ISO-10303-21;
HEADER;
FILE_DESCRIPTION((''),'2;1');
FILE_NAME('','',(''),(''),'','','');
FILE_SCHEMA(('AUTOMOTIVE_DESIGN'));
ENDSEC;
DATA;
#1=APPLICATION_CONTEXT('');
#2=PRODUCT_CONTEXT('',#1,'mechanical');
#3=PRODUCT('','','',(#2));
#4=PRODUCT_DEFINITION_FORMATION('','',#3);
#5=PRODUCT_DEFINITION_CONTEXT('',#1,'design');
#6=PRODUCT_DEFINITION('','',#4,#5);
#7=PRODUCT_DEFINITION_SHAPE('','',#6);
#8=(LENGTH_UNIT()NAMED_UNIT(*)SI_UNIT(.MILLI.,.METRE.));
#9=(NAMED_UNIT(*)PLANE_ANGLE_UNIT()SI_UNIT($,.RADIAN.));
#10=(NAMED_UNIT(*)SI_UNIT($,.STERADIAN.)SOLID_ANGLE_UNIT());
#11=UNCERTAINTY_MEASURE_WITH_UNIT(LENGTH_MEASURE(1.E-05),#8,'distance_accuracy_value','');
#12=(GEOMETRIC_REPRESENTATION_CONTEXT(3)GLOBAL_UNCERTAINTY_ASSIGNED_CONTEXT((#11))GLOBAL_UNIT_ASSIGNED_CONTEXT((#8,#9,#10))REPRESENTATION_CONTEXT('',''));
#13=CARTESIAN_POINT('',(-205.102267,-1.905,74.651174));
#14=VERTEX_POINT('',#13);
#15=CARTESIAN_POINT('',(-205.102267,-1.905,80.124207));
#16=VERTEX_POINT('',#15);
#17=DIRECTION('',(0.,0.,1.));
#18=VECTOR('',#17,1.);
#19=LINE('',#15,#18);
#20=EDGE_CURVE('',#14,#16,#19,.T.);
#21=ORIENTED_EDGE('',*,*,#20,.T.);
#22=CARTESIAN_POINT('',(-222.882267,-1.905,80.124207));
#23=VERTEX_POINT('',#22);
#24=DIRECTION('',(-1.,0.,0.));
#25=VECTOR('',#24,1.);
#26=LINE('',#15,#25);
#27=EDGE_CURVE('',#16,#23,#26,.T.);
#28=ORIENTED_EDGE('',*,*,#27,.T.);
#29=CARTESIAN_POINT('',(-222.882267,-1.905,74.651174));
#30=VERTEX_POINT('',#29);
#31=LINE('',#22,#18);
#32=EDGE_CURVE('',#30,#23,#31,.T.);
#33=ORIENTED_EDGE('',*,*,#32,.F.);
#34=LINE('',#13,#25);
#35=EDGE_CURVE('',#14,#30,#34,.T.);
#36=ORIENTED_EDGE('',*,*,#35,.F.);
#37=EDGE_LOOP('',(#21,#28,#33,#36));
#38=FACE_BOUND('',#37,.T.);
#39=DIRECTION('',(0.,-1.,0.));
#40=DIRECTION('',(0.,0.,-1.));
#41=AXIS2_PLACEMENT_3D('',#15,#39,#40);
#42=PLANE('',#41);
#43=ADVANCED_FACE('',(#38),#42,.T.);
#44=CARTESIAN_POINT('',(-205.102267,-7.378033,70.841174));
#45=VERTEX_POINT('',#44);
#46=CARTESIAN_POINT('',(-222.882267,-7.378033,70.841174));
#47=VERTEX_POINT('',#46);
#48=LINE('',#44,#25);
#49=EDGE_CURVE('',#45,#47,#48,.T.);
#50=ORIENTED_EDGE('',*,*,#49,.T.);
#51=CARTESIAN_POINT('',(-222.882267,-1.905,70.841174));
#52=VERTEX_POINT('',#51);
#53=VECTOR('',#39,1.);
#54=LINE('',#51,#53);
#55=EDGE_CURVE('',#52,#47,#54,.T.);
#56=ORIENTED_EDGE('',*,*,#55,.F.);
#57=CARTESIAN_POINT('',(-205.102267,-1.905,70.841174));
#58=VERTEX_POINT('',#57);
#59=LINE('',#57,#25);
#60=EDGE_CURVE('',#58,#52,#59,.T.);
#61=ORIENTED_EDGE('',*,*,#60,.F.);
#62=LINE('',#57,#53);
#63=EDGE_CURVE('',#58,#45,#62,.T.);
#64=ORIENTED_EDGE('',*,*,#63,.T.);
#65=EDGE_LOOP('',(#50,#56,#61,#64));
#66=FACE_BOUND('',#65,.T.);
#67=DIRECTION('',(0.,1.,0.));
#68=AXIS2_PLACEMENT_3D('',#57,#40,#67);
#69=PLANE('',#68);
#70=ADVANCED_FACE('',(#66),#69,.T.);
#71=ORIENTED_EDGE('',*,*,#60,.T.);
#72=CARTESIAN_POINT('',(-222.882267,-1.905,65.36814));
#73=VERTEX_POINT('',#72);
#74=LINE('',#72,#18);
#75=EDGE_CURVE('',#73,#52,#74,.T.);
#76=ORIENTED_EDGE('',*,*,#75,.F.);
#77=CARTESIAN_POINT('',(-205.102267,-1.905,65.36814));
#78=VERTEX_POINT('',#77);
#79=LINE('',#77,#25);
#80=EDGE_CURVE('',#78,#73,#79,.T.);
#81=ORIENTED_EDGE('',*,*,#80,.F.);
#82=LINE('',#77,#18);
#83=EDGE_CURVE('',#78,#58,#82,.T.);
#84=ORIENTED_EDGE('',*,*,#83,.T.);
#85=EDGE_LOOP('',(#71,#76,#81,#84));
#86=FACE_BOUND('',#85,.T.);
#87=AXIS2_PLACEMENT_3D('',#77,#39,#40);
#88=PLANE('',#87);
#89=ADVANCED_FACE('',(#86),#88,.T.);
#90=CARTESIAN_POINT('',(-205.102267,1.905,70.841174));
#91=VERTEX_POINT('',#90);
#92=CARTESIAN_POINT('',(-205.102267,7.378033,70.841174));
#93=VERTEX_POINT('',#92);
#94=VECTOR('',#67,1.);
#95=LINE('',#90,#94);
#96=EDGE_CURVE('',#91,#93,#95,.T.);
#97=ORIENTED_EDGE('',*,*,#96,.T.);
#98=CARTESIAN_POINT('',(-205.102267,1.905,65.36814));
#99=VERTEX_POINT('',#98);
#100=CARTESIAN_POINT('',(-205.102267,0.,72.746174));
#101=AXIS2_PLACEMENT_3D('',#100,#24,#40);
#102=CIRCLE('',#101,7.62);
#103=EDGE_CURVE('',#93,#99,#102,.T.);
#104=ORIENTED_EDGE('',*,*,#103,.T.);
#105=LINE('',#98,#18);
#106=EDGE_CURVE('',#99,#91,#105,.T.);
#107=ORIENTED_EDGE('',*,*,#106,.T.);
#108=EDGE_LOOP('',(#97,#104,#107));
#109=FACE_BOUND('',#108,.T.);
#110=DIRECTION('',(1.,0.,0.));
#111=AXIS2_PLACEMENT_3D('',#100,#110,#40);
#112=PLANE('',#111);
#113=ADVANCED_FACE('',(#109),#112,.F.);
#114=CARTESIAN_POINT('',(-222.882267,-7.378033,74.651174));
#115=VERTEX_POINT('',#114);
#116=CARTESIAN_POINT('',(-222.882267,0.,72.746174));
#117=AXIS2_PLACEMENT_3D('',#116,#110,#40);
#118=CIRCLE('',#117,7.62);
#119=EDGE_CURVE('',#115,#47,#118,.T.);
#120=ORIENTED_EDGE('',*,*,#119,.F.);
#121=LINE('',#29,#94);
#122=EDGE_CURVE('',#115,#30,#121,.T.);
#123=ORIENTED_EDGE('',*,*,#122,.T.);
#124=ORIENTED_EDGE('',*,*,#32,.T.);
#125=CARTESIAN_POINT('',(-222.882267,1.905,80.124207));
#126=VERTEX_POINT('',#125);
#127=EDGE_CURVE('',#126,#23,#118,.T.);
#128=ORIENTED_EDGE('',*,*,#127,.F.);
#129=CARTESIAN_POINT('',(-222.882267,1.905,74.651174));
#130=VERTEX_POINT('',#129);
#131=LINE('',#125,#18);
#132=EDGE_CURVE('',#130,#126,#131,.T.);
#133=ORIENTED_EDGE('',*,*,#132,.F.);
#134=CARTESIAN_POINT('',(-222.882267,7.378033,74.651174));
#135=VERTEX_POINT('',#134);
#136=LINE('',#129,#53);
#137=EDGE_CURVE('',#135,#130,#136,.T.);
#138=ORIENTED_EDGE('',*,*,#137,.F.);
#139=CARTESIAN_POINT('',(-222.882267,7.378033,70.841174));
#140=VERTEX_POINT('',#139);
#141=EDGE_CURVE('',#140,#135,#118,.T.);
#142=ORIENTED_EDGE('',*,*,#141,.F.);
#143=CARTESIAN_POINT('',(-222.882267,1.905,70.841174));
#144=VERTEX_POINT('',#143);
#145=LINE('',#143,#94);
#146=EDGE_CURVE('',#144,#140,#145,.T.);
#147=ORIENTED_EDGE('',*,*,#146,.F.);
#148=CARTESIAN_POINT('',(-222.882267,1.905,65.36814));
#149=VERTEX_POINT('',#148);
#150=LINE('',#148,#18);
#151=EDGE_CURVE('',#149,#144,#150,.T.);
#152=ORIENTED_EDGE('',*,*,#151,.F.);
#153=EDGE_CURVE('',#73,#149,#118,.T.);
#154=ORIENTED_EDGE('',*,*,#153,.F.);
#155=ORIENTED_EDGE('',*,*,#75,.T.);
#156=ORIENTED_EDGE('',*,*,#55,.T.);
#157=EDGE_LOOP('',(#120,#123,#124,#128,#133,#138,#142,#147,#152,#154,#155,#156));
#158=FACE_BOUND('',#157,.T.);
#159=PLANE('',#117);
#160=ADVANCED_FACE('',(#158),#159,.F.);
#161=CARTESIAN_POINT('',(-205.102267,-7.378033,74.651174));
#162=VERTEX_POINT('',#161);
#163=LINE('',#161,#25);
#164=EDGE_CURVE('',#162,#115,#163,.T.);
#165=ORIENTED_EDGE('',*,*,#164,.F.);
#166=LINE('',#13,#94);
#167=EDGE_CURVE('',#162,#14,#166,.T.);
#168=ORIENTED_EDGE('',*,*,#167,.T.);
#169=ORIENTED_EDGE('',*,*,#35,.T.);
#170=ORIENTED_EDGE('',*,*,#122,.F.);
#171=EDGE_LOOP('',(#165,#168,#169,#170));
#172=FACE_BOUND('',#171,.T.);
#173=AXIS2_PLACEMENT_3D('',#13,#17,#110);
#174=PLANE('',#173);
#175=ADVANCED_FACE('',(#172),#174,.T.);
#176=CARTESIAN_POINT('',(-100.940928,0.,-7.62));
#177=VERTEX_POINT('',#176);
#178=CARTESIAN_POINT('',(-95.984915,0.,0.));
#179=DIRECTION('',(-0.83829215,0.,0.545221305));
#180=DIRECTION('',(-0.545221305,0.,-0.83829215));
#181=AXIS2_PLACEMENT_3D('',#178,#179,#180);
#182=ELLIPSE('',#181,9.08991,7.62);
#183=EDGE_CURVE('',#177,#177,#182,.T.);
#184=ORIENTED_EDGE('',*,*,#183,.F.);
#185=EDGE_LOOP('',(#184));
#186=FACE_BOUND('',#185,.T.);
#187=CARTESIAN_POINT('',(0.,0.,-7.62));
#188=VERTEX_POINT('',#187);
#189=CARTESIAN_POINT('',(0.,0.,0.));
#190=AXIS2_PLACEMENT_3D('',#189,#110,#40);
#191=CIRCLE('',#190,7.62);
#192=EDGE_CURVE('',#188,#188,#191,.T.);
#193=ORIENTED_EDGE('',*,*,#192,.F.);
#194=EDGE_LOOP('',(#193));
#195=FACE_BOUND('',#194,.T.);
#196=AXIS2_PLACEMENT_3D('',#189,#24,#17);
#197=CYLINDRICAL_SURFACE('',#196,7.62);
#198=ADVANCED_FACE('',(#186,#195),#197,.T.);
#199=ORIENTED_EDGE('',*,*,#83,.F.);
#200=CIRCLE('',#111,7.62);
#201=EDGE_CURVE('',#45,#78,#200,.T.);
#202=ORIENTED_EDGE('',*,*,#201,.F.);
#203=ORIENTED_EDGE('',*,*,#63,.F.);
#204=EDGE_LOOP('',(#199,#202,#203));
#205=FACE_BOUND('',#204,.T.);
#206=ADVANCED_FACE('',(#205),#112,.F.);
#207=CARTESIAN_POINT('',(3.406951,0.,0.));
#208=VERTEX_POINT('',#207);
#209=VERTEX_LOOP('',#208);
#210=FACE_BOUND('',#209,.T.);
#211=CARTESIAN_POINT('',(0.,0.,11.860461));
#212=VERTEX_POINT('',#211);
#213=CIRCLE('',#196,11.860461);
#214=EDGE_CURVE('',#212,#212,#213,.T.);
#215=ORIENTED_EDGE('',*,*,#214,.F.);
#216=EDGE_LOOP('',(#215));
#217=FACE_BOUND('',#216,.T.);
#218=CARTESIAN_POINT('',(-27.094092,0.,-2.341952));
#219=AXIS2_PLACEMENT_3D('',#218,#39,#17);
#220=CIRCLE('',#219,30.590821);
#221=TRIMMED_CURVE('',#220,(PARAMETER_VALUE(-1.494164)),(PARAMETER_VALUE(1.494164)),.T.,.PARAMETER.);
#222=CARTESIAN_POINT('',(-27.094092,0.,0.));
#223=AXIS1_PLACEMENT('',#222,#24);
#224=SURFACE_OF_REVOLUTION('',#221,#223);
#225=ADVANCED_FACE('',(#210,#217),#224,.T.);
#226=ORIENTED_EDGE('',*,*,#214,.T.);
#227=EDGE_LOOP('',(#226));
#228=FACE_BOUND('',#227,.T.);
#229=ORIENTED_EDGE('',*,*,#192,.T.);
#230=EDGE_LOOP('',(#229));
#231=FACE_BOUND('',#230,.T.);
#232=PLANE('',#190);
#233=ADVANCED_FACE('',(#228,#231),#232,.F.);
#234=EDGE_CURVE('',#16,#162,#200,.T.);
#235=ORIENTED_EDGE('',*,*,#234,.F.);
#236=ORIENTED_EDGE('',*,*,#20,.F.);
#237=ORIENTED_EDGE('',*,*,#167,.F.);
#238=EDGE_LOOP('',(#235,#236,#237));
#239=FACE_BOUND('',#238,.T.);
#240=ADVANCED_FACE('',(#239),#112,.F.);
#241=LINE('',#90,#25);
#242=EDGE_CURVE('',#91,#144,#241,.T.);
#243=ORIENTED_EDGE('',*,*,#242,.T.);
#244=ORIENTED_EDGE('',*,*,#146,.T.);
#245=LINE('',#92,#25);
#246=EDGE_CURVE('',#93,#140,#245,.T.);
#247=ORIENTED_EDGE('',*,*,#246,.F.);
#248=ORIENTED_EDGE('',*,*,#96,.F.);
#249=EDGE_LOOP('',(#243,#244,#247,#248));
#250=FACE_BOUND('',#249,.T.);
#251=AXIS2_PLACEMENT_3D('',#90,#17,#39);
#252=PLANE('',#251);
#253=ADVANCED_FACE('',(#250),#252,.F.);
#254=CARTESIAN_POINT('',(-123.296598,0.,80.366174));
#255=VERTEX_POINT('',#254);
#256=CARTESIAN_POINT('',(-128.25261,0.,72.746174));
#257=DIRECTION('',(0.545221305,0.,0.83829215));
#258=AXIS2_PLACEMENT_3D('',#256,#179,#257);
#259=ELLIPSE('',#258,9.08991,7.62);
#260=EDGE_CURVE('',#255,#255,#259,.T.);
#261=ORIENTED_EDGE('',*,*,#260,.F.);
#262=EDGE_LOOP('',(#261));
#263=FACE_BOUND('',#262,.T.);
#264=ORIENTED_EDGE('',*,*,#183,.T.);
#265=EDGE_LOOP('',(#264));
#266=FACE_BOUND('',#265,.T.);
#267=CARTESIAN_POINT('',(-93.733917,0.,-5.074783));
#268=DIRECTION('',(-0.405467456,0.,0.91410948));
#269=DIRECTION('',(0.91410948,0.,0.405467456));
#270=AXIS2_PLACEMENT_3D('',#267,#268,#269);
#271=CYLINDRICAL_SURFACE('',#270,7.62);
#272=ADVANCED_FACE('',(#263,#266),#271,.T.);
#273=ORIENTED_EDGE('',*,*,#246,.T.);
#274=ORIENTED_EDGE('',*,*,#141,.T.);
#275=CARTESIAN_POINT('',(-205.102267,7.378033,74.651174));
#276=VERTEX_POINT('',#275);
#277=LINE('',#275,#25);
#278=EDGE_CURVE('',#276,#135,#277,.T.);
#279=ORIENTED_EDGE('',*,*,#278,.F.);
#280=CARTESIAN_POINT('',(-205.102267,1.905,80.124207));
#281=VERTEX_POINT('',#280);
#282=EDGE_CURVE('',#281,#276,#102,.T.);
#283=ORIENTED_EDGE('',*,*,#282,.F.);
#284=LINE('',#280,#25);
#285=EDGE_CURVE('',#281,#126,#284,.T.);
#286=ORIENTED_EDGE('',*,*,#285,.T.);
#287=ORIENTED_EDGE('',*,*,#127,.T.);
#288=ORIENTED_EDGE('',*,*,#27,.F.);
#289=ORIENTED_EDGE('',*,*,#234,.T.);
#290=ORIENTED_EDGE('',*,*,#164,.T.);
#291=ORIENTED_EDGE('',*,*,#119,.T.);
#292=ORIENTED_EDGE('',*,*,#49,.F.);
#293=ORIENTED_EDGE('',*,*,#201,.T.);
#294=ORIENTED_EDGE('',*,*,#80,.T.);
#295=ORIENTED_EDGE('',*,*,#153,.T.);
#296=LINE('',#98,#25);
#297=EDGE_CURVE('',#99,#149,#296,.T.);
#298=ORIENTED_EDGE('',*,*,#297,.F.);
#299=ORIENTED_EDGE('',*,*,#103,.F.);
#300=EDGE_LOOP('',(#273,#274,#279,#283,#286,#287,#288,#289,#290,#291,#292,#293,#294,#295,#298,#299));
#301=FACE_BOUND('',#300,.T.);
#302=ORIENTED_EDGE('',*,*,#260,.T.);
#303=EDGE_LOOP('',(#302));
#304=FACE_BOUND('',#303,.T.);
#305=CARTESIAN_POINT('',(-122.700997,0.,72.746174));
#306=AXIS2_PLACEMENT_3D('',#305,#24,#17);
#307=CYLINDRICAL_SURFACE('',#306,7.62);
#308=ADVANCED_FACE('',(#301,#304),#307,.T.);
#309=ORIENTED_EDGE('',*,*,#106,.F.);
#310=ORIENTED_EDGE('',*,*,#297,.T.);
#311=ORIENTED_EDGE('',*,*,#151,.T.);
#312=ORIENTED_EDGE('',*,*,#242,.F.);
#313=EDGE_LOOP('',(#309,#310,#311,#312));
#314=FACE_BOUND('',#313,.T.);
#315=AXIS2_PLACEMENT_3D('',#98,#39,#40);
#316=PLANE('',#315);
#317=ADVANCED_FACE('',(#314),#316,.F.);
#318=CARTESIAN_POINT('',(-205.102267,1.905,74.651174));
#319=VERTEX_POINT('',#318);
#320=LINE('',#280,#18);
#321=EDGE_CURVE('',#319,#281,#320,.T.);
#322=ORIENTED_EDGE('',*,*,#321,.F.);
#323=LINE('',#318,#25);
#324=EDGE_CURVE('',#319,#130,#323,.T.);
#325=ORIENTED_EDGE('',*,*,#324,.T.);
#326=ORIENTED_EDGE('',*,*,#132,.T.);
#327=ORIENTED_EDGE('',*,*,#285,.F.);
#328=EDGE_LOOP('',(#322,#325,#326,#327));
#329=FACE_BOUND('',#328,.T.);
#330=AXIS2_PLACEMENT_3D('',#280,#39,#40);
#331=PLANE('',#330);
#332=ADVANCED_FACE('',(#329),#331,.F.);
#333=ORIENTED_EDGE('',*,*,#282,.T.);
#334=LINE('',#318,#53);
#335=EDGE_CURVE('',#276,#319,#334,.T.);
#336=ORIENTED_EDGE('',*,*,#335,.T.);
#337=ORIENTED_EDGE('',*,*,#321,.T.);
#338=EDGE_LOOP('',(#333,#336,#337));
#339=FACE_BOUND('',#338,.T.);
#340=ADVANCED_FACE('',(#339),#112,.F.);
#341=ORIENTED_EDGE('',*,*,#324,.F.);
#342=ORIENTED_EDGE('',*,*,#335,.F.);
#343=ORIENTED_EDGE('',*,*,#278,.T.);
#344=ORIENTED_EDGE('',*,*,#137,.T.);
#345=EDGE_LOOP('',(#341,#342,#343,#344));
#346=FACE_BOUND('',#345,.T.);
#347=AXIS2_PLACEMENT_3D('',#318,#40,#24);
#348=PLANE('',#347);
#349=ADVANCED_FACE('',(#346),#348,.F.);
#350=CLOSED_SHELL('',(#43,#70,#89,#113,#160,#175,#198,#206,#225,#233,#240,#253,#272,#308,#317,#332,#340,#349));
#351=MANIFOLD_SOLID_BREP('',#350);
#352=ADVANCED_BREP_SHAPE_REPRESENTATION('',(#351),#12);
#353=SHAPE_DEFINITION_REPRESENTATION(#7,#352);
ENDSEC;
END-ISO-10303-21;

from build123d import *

# Parameters (mm, degrees)
SKETCH3_R          = 7.62
CUT_EXTRUDE3_DEPTH = 17.78
CUT_EXTRUDE4_DEPTH = 17.78


with BuildPart() as part:
    # Sweep1: sweep along a path in Sketch1
    with BuildLine(Plane(origin=(0, 0, 0), x_dir=(1, 0, 0), z_dir=(0, 1, 0))) as sweep1_path:
        Line((0, 0), (-95.984915269, 0))
        Line((-95.984915269, 0), (-128.252610358, -72.746173646))
        Line((-128.252610358, -72.746173646), (-222.882267399, -72.746173646))
    # Sketch3 → Sweep1 (sweep)
    with BuildSketch(Plane(origin=(0, 0, 0), x_dir=(0, 0, -1), z_dir=(1, 0, 0))):
        Circle(SKETCH3_R)
    sweep(path=sweep1_path.line, transition=Transition.RIGHT)

    # Sketch6 → Revolve1 (revolve)
    with BuildSketch(Plane(origin=(0, 0, 0), x_dir=(1, 0, 0), z_dir=(0, 1, 0))):
        with BuildLine():
            Line((0, 0), (0, 11.860460566))
            ThreePointArc((0, 11.860460566), (2.307736562, 6.103805999), (3.406950908, 0))
            Line((3.406950908, 0), (0, 0))
        make_face()
    revolve(axis=Axis((0, 0, 0), (1, 0, 0)))

    # Sketch4 → Cut-Extrude3 (cut)
    with BuildSketch(Plane.ZY.offset(222.882267399)):
        with BuildLine():
            Line((80.12420692, 1.905), (74.651173646, 1.905))
            Line((74.651173646, 1.905), (74.651173646, 7.378033275))
            ThreePointArc((74.651173646, 7.378033275), (78.134327318, 5.388153673), (80.12420692, 1.905))
        make_face()
    cut_extrude3 = extrude(amount=-CUT_EXTRUDE3_DEPTH, mode=Mode.SUBTRACT)

    # Mirror3: Cut-Extrude3 across plane
    add(cut_extrude3.mirror(Plane.ZX), mode=Mode.SUBTRACT)

    # Sketch5 → Cut-Extrude4 (cut)
    with BuildSketch(Plane.ZY.offset(222.882267399)):
        with BuildLine():
            Line((65.368140371, 1.905), (70.841173646, 1.905))
            Line((70.841173646, 1.905), (70.841173646, 7.378033275))
            ThreePointArc((70.841173646, 7.378033275), (67.358019973, 5.388153673), (65.368140371, 1.905))
        make_face()
    cut_extrude4 = extrude(amount=-CUT_EXTRUDE4_DEPTH, mode=Mode.SUBTRACT)

    # Mirror4: Cut-Extrude4 across plane
    add(cut_extrude4.mirror(Plane.ZX), mode=Mode.SUBTRACT)


solid = part.part
